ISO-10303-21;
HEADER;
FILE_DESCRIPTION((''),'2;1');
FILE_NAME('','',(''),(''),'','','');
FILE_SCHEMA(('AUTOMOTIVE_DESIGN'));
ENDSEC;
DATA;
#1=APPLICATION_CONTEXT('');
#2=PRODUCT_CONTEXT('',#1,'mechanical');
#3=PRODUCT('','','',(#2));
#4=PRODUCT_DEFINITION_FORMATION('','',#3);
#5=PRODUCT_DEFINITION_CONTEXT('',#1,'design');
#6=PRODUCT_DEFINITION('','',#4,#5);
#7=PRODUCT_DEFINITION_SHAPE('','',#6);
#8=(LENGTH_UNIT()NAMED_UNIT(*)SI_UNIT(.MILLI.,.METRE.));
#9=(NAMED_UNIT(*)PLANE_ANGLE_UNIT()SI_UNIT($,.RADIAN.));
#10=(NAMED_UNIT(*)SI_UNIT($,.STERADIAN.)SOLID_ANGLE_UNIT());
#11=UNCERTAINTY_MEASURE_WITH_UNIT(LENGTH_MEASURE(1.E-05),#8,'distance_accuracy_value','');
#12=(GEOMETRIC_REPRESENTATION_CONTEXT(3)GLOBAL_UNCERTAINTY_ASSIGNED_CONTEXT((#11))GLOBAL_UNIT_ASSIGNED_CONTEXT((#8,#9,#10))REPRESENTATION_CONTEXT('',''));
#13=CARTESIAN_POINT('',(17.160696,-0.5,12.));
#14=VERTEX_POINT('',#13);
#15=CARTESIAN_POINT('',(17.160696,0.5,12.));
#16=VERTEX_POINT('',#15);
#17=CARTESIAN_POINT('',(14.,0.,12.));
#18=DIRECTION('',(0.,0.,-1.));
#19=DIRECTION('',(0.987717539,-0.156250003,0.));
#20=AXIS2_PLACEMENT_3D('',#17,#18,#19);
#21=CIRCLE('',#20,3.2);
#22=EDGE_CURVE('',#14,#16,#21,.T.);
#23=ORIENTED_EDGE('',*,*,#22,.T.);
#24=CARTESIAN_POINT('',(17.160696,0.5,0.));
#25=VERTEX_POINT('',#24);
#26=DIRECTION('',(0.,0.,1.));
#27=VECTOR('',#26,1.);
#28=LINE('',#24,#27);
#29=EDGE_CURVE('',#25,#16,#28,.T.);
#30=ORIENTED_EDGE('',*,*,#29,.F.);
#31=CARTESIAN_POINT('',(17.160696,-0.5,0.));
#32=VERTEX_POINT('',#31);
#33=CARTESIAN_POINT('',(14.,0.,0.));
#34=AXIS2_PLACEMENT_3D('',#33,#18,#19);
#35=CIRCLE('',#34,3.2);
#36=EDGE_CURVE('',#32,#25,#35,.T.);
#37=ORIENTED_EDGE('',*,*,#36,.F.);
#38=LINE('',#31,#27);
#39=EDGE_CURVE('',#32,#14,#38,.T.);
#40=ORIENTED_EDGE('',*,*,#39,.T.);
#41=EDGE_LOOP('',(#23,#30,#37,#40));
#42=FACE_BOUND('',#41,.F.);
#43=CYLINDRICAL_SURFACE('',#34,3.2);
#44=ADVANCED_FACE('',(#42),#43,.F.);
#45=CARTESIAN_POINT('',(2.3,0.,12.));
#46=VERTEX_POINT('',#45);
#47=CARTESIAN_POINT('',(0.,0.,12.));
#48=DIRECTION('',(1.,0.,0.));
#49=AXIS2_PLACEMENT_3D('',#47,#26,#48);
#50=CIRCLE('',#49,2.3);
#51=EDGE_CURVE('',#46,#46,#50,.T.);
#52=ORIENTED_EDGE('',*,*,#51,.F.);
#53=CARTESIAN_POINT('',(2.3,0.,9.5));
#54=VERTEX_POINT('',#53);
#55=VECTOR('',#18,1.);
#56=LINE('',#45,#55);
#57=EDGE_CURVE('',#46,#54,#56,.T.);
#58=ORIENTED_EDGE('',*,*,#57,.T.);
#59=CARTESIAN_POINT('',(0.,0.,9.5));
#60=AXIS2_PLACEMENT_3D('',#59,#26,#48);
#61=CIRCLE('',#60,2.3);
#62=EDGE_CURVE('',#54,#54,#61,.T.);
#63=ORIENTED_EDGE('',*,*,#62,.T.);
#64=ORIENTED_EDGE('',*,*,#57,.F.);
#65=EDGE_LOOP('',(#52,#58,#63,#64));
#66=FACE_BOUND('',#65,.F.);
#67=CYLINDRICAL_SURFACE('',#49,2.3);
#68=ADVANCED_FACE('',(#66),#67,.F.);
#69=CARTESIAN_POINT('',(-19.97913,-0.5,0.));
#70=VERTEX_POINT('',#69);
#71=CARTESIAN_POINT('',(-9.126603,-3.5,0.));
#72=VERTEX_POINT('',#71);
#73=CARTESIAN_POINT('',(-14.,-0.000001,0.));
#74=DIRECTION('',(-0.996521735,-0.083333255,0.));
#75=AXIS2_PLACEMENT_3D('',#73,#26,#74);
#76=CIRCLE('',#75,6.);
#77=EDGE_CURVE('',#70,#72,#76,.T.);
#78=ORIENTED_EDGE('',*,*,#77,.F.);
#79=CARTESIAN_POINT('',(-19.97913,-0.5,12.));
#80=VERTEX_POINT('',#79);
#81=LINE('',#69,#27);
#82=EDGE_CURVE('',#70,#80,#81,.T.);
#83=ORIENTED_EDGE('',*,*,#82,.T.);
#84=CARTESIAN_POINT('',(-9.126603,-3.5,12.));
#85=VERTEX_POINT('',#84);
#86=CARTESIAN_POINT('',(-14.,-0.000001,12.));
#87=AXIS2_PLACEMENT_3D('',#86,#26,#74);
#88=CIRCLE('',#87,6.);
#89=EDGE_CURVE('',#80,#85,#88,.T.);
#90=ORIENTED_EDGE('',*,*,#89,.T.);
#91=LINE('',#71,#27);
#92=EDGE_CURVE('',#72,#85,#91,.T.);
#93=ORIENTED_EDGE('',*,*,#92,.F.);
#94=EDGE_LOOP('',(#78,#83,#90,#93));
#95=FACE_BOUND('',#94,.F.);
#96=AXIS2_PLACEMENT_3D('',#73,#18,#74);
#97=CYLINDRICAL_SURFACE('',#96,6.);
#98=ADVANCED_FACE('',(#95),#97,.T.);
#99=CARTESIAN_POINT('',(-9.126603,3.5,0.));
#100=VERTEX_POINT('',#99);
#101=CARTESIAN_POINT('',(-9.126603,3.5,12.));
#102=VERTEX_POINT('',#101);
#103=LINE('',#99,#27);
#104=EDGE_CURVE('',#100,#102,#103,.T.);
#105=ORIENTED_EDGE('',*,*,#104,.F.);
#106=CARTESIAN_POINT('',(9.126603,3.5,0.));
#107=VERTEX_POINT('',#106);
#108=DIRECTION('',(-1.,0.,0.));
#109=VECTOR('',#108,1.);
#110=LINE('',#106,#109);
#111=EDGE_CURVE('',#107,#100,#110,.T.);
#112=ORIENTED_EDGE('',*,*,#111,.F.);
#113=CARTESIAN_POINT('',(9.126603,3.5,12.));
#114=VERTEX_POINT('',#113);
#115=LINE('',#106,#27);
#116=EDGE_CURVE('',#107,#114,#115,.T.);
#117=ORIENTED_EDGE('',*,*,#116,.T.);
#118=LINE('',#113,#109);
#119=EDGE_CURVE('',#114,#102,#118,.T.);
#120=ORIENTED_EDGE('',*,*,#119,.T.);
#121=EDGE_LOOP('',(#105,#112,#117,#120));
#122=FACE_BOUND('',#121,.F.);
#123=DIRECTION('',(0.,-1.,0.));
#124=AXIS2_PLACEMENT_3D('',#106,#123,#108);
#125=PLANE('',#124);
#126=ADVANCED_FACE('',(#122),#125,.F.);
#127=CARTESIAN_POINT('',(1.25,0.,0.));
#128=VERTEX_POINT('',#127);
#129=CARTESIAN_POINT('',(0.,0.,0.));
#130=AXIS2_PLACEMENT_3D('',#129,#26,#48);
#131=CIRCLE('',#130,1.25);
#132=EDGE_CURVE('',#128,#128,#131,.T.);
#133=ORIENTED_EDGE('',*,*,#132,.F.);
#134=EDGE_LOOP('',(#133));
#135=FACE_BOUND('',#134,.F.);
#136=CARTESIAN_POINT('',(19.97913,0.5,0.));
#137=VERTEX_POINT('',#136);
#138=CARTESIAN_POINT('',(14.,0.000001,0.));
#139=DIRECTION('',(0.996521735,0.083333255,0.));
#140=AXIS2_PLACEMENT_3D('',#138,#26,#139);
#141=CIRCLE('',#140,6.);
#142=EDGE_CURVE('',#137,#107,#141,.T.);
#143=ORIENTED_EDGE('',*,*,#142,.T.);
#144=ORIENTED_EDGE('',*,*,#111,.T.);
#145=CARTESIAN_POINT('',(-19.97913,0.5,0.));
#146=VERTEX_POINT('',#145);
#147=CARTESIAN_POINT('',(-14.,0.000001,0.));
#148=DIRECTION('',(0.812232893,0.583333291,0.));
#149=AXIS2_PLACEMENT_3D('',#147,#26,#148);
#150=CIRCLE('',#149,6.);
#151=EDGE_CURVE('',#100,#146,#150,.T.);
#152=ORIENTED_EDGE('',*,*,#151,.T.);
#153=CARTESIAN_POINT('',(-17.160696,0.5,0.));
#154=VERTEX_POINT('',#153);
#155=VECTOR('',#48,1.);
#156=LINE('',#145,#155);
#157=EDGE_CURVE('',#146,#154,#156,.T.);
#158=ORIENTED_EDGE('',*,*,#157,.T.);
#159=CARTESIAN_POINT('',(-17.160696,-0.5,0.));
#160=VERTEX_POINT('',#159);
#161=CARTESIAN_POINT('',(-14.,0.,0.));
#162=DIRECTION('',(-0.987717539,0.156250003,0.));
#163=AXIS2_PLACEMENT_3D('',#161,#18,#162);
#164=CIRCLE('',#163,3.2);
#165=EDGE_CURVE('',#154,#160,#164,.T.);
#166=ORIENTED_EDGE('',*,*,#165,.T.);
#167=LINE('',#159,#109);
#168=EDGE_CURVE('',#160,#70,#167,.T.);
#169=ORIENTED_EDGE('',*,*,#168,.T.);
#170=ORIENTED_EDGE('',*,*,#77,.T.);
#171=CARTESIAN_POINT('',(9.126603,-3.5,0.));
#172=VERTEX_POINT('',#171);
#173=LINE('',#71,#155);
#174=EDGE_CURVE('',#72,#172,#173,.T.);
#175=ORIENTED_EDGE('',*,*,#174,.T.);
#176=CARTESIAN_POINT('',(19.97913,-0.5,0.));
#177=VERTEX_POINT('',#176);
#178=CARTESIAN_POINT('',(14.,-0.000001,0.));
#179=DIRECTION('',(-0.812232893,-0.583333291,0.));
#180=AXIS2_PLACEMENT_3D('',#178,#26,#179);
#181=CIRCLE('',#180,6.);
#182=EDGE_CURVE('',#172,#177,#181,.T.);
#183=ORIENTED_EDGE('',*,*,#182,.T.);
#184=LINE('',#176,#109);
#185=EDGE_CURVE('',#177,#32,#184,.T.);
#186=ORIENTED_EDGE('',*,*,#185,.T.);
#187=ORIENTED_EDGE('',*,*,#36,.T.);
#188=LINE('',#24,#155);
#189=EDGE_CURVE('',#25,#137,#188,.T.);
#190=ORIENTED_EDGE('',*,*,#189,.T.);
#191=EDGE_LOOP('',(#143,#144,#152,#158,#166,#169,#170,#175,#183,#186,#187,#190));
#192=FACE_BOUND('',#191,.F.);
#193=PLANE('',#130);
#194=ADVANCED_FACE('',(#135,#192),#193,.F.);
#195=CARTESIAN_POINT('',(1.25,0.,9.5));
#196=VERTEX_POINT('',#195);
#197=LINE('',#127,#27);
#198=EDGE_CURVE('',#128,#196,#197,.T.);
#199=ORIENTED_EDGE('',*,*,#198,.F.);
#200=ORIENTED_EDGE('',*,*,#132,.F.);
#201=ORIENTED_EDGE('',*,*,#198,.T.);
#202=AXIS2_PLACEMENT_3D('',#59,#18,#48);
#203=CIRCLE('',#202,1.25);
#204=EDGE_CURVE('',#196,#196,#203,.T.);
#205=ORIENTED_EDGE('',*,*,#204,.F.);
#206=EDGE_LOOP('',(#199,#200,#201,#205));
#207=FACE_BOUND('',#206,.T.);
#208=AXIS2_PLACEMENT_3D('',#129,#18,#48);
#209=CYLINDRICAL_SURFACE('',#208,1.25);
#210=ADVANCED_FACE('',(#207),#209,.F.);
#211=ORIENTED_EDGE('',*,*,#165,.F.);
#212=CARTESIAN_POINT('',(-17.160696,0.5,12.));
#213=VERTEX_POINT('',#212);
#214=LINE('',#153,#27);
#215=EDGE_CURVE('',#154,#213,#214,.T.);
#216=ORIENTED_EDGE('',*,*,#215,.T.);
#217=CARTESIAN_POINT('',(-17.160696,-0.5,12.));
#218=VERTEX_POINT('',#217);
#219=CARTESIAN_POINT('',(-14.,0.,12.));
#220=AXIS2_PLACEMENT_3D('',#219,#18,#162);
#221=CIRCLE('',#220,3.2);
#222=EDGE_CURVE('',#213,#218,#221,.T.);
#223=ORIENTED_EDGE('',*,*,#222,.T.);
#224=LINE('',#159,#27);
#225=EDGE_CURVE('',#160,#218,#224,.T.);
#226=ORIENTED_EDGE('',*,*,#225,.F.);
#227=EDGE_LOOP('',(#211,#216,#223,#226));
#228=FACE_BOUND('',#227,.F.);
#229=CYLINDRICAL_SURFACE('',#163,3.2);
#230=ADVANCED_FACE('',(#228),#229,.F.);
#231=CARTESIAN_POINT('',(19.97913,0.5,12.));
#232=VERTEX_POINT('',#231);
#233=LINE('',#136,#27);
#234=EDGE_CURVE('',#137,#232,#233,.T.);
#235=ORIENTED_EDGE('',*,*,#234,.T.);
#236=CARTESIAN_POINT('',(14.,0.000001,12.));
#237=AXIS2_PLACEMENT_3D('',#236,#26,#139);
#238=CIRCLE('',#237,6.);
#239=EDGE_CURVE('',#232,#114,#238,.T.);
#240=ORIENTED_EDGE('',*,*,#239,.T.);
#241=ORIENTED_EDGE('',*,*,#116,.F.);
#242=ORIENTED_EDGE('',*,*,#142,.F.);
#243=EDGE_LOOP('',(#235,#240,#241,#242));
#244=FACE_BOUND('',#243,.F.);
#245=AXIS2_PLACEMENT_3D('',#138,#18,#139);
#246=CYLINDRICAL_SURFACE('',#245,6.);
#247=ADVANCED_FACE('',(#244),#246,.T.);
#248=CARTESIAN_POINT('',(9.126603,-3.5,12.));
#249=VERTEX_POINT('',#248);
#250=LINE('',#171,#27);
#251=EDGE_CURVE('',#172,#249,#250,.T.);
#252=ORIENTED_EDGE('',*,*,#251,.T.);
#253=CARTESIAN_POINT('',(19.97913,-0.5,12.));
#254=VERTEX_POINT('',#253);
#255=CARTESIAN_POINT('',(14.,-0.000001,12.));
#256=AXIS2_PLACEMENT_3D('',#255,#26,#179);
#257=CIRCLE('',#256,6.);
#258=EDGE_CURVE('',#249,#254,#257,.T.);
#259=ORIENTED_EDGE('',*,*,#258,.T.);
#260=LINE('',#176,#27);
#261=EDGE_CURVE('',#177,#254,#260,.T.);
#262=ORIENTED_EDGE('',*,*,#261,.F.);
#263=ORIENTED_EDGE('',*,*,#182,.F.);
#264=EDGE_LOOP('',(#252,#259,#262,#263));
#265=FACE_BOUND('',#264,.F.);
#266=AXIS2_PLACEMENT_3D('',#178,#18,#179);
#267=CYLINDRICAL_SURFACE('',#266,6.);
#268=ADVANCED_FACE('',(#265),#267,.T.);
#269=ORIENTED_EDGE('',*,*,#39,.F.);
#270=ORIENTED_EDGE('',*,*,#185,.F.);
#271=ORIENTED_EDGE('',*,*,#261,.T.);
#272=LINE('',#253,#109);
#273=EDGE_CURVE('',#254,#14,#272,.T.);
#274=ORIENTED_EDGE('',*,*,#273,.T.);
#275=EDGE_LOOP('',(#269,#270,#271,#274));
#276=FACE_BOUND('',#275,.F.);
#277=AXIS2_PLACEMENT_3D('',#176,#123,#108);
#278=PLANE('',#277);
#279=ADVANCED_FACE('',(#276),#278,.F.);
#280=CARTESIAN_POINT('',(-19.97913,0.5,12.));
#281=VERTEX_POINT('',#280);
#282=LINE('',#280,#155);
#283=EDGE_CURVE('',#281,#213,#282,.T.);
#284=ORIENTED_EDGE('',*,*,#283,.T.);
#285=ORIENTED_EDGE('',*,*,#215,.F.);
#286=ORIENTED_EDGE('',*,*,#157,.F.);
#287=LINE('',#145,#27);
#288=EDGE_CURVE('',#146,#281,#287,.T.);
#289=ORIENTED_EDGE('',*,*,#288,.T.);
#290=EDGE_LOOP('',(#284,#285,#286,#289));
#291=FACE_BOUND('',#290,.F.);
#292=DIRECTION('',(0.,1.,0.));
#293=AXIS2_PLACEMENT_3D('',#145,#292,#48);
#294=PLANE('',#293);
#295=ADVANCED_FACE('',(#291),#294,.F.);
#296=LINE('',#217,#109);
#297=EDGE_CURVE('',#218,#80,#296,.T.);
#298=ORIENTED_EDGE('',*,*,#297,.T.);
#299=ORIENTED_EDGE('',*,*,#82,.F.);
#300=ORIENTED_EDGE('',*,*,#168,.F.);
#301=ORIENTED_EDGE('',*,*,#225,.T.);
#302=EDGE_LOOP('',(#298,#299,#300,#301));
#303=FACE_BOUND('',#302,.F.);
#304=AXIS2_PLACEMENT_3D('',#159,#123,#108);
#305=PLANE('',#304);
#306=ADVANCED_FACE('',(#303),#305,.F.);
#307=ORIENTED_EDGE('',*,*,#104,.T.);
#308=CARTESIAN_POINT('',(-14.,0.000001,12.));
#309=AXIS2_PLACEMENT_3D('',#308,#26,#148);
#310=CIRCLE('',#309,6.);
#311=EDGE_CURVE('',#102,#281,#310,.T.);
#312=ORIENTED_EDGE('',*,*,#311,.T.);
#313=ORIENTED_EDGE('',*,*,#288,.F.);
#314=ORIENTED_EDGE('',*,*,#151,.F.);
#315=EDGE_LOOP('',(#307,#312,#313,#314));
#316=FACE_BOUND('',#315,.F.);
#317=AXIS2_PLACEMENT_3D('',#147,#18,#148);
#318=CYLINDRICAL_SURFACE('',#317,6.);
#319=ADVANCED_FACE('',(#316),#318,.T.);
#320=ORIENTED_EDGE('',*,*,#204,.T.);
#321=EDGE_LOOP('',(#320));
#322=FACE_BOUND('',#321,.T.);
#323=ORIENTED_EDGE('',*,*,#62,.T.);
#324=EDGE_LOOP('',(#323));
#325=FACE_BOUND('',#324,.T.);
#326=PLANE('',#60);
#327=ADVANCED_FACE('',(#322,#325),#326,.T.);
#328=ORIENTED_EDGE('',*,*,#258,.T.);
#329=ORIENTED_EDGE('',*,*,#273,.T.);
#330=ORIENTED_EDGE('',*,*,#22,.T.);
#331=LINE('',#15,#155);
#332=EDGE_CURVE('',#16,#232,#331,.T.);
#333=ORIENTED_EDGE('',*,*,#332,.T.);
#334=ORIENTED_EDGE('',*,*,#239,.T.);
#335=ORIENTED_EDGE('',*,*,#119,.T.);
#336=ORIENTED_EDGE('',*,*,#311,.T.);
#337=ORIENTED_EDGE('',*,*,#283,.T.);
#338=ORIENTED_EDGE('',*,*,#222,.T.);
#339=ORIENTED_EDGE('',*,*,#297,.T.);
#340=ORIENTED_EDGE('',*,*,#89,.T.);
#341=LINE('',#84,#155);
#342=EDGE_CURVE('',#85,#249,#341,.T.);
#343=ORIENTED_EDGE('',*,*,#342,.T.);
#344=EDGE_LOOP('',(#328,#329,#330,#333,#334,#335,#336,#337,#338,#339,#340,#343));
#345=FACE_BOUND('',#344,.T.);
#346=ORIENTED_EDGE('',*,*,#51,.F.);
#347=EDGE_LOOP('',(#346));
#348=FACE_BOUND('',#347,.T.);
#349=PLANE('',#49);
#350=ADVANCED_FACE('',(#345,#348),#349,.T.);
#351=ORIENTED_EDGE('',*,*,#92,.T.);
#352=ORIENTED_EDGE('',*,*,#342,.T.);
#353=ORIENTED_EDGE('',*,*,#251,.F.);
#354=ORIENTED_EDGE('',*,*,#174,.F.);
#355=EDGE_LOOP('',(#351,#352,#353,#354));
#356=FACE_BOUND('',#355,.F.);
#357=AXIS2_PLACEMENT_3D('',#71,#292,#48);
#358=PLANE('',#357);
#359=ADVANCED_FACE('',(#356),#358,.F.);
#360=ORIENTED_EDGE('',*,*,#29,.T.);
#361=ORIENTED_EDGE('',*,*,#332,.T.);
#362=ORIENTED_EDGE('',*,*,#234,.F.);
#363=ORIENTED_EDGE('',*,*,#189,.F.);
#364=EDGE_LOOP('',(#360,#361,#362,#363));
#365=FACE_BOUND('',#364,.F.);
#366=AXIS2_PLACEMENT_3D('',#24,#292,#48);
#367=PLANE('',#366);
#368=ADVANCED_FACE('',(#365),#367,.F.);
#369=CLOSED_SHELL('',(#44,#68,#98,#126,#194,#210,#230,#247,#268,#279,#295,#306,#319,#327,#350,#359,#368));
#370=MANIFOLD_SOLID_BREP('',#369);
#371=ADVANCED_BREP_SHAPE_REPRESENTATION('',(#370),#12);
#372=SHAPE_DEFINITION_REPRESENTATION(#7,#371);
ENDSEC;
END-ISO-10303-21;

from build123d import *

# Parameters (mm, degrees)
F0_R     = 1.25
F1_DEPTH = 12
F2_R     = 2.3
F3_DEPTH = 2.5


with BuildPart() as f1:
    # F0 (on Top) → F1 (new body)
    with BuildSketch(Plane.XY):
        with BuildLine():
            Line((9.126603, 3.5), (-9.126603, 3.5))
            ThreePointArc((-9.126603, 3.5), (-15.598644, 5.783108), (-19.97913, 0.5))
            Line((-19.97913, 0.5), (-17.160696, 0.5))
            ThreePointArc((-17.160696, 0.5), (-10.8, 0), (-17.160696, -0.5))
            Line((-17.160696, -0.5), (-19.97913, -0.5))
            ThreePointArc((-19.97913, -0.5), (-15.598644, -5.783108), (-9.126603, -3.5))
            Line((-9.126603, -3.5), (9.126603, -3.5))
            ThreePointArc((9.126603, -3.5), (15.598644, -5.783108), (19.97913, -0.5))
            Line((19.97913, -0.5), (17.160696, -0.5))
            ThreePointArc((17.160696, -0.5), (10.8, 0), (17.160696, 0.5))
            Line((17.160696, 0.5), (19.97913, 0.5))
            ThreePointArc((19.97913, 0.5), (15.598644, 5.783108), (9.126603, 3.5))
        make_face()
        Circle(F0_R, mode=Mode.SUBTRACT)
    extrude(amount=F1_DEPTH)

    # F2 (on face) → F3 (cut)
    with BuildSketch(Plane.XY.offset(12)):
        Circle(F2_R)
    extrude(amount=-F3_DEPTH, mode=Mode.SUBTRACT)


solid = f1.part
